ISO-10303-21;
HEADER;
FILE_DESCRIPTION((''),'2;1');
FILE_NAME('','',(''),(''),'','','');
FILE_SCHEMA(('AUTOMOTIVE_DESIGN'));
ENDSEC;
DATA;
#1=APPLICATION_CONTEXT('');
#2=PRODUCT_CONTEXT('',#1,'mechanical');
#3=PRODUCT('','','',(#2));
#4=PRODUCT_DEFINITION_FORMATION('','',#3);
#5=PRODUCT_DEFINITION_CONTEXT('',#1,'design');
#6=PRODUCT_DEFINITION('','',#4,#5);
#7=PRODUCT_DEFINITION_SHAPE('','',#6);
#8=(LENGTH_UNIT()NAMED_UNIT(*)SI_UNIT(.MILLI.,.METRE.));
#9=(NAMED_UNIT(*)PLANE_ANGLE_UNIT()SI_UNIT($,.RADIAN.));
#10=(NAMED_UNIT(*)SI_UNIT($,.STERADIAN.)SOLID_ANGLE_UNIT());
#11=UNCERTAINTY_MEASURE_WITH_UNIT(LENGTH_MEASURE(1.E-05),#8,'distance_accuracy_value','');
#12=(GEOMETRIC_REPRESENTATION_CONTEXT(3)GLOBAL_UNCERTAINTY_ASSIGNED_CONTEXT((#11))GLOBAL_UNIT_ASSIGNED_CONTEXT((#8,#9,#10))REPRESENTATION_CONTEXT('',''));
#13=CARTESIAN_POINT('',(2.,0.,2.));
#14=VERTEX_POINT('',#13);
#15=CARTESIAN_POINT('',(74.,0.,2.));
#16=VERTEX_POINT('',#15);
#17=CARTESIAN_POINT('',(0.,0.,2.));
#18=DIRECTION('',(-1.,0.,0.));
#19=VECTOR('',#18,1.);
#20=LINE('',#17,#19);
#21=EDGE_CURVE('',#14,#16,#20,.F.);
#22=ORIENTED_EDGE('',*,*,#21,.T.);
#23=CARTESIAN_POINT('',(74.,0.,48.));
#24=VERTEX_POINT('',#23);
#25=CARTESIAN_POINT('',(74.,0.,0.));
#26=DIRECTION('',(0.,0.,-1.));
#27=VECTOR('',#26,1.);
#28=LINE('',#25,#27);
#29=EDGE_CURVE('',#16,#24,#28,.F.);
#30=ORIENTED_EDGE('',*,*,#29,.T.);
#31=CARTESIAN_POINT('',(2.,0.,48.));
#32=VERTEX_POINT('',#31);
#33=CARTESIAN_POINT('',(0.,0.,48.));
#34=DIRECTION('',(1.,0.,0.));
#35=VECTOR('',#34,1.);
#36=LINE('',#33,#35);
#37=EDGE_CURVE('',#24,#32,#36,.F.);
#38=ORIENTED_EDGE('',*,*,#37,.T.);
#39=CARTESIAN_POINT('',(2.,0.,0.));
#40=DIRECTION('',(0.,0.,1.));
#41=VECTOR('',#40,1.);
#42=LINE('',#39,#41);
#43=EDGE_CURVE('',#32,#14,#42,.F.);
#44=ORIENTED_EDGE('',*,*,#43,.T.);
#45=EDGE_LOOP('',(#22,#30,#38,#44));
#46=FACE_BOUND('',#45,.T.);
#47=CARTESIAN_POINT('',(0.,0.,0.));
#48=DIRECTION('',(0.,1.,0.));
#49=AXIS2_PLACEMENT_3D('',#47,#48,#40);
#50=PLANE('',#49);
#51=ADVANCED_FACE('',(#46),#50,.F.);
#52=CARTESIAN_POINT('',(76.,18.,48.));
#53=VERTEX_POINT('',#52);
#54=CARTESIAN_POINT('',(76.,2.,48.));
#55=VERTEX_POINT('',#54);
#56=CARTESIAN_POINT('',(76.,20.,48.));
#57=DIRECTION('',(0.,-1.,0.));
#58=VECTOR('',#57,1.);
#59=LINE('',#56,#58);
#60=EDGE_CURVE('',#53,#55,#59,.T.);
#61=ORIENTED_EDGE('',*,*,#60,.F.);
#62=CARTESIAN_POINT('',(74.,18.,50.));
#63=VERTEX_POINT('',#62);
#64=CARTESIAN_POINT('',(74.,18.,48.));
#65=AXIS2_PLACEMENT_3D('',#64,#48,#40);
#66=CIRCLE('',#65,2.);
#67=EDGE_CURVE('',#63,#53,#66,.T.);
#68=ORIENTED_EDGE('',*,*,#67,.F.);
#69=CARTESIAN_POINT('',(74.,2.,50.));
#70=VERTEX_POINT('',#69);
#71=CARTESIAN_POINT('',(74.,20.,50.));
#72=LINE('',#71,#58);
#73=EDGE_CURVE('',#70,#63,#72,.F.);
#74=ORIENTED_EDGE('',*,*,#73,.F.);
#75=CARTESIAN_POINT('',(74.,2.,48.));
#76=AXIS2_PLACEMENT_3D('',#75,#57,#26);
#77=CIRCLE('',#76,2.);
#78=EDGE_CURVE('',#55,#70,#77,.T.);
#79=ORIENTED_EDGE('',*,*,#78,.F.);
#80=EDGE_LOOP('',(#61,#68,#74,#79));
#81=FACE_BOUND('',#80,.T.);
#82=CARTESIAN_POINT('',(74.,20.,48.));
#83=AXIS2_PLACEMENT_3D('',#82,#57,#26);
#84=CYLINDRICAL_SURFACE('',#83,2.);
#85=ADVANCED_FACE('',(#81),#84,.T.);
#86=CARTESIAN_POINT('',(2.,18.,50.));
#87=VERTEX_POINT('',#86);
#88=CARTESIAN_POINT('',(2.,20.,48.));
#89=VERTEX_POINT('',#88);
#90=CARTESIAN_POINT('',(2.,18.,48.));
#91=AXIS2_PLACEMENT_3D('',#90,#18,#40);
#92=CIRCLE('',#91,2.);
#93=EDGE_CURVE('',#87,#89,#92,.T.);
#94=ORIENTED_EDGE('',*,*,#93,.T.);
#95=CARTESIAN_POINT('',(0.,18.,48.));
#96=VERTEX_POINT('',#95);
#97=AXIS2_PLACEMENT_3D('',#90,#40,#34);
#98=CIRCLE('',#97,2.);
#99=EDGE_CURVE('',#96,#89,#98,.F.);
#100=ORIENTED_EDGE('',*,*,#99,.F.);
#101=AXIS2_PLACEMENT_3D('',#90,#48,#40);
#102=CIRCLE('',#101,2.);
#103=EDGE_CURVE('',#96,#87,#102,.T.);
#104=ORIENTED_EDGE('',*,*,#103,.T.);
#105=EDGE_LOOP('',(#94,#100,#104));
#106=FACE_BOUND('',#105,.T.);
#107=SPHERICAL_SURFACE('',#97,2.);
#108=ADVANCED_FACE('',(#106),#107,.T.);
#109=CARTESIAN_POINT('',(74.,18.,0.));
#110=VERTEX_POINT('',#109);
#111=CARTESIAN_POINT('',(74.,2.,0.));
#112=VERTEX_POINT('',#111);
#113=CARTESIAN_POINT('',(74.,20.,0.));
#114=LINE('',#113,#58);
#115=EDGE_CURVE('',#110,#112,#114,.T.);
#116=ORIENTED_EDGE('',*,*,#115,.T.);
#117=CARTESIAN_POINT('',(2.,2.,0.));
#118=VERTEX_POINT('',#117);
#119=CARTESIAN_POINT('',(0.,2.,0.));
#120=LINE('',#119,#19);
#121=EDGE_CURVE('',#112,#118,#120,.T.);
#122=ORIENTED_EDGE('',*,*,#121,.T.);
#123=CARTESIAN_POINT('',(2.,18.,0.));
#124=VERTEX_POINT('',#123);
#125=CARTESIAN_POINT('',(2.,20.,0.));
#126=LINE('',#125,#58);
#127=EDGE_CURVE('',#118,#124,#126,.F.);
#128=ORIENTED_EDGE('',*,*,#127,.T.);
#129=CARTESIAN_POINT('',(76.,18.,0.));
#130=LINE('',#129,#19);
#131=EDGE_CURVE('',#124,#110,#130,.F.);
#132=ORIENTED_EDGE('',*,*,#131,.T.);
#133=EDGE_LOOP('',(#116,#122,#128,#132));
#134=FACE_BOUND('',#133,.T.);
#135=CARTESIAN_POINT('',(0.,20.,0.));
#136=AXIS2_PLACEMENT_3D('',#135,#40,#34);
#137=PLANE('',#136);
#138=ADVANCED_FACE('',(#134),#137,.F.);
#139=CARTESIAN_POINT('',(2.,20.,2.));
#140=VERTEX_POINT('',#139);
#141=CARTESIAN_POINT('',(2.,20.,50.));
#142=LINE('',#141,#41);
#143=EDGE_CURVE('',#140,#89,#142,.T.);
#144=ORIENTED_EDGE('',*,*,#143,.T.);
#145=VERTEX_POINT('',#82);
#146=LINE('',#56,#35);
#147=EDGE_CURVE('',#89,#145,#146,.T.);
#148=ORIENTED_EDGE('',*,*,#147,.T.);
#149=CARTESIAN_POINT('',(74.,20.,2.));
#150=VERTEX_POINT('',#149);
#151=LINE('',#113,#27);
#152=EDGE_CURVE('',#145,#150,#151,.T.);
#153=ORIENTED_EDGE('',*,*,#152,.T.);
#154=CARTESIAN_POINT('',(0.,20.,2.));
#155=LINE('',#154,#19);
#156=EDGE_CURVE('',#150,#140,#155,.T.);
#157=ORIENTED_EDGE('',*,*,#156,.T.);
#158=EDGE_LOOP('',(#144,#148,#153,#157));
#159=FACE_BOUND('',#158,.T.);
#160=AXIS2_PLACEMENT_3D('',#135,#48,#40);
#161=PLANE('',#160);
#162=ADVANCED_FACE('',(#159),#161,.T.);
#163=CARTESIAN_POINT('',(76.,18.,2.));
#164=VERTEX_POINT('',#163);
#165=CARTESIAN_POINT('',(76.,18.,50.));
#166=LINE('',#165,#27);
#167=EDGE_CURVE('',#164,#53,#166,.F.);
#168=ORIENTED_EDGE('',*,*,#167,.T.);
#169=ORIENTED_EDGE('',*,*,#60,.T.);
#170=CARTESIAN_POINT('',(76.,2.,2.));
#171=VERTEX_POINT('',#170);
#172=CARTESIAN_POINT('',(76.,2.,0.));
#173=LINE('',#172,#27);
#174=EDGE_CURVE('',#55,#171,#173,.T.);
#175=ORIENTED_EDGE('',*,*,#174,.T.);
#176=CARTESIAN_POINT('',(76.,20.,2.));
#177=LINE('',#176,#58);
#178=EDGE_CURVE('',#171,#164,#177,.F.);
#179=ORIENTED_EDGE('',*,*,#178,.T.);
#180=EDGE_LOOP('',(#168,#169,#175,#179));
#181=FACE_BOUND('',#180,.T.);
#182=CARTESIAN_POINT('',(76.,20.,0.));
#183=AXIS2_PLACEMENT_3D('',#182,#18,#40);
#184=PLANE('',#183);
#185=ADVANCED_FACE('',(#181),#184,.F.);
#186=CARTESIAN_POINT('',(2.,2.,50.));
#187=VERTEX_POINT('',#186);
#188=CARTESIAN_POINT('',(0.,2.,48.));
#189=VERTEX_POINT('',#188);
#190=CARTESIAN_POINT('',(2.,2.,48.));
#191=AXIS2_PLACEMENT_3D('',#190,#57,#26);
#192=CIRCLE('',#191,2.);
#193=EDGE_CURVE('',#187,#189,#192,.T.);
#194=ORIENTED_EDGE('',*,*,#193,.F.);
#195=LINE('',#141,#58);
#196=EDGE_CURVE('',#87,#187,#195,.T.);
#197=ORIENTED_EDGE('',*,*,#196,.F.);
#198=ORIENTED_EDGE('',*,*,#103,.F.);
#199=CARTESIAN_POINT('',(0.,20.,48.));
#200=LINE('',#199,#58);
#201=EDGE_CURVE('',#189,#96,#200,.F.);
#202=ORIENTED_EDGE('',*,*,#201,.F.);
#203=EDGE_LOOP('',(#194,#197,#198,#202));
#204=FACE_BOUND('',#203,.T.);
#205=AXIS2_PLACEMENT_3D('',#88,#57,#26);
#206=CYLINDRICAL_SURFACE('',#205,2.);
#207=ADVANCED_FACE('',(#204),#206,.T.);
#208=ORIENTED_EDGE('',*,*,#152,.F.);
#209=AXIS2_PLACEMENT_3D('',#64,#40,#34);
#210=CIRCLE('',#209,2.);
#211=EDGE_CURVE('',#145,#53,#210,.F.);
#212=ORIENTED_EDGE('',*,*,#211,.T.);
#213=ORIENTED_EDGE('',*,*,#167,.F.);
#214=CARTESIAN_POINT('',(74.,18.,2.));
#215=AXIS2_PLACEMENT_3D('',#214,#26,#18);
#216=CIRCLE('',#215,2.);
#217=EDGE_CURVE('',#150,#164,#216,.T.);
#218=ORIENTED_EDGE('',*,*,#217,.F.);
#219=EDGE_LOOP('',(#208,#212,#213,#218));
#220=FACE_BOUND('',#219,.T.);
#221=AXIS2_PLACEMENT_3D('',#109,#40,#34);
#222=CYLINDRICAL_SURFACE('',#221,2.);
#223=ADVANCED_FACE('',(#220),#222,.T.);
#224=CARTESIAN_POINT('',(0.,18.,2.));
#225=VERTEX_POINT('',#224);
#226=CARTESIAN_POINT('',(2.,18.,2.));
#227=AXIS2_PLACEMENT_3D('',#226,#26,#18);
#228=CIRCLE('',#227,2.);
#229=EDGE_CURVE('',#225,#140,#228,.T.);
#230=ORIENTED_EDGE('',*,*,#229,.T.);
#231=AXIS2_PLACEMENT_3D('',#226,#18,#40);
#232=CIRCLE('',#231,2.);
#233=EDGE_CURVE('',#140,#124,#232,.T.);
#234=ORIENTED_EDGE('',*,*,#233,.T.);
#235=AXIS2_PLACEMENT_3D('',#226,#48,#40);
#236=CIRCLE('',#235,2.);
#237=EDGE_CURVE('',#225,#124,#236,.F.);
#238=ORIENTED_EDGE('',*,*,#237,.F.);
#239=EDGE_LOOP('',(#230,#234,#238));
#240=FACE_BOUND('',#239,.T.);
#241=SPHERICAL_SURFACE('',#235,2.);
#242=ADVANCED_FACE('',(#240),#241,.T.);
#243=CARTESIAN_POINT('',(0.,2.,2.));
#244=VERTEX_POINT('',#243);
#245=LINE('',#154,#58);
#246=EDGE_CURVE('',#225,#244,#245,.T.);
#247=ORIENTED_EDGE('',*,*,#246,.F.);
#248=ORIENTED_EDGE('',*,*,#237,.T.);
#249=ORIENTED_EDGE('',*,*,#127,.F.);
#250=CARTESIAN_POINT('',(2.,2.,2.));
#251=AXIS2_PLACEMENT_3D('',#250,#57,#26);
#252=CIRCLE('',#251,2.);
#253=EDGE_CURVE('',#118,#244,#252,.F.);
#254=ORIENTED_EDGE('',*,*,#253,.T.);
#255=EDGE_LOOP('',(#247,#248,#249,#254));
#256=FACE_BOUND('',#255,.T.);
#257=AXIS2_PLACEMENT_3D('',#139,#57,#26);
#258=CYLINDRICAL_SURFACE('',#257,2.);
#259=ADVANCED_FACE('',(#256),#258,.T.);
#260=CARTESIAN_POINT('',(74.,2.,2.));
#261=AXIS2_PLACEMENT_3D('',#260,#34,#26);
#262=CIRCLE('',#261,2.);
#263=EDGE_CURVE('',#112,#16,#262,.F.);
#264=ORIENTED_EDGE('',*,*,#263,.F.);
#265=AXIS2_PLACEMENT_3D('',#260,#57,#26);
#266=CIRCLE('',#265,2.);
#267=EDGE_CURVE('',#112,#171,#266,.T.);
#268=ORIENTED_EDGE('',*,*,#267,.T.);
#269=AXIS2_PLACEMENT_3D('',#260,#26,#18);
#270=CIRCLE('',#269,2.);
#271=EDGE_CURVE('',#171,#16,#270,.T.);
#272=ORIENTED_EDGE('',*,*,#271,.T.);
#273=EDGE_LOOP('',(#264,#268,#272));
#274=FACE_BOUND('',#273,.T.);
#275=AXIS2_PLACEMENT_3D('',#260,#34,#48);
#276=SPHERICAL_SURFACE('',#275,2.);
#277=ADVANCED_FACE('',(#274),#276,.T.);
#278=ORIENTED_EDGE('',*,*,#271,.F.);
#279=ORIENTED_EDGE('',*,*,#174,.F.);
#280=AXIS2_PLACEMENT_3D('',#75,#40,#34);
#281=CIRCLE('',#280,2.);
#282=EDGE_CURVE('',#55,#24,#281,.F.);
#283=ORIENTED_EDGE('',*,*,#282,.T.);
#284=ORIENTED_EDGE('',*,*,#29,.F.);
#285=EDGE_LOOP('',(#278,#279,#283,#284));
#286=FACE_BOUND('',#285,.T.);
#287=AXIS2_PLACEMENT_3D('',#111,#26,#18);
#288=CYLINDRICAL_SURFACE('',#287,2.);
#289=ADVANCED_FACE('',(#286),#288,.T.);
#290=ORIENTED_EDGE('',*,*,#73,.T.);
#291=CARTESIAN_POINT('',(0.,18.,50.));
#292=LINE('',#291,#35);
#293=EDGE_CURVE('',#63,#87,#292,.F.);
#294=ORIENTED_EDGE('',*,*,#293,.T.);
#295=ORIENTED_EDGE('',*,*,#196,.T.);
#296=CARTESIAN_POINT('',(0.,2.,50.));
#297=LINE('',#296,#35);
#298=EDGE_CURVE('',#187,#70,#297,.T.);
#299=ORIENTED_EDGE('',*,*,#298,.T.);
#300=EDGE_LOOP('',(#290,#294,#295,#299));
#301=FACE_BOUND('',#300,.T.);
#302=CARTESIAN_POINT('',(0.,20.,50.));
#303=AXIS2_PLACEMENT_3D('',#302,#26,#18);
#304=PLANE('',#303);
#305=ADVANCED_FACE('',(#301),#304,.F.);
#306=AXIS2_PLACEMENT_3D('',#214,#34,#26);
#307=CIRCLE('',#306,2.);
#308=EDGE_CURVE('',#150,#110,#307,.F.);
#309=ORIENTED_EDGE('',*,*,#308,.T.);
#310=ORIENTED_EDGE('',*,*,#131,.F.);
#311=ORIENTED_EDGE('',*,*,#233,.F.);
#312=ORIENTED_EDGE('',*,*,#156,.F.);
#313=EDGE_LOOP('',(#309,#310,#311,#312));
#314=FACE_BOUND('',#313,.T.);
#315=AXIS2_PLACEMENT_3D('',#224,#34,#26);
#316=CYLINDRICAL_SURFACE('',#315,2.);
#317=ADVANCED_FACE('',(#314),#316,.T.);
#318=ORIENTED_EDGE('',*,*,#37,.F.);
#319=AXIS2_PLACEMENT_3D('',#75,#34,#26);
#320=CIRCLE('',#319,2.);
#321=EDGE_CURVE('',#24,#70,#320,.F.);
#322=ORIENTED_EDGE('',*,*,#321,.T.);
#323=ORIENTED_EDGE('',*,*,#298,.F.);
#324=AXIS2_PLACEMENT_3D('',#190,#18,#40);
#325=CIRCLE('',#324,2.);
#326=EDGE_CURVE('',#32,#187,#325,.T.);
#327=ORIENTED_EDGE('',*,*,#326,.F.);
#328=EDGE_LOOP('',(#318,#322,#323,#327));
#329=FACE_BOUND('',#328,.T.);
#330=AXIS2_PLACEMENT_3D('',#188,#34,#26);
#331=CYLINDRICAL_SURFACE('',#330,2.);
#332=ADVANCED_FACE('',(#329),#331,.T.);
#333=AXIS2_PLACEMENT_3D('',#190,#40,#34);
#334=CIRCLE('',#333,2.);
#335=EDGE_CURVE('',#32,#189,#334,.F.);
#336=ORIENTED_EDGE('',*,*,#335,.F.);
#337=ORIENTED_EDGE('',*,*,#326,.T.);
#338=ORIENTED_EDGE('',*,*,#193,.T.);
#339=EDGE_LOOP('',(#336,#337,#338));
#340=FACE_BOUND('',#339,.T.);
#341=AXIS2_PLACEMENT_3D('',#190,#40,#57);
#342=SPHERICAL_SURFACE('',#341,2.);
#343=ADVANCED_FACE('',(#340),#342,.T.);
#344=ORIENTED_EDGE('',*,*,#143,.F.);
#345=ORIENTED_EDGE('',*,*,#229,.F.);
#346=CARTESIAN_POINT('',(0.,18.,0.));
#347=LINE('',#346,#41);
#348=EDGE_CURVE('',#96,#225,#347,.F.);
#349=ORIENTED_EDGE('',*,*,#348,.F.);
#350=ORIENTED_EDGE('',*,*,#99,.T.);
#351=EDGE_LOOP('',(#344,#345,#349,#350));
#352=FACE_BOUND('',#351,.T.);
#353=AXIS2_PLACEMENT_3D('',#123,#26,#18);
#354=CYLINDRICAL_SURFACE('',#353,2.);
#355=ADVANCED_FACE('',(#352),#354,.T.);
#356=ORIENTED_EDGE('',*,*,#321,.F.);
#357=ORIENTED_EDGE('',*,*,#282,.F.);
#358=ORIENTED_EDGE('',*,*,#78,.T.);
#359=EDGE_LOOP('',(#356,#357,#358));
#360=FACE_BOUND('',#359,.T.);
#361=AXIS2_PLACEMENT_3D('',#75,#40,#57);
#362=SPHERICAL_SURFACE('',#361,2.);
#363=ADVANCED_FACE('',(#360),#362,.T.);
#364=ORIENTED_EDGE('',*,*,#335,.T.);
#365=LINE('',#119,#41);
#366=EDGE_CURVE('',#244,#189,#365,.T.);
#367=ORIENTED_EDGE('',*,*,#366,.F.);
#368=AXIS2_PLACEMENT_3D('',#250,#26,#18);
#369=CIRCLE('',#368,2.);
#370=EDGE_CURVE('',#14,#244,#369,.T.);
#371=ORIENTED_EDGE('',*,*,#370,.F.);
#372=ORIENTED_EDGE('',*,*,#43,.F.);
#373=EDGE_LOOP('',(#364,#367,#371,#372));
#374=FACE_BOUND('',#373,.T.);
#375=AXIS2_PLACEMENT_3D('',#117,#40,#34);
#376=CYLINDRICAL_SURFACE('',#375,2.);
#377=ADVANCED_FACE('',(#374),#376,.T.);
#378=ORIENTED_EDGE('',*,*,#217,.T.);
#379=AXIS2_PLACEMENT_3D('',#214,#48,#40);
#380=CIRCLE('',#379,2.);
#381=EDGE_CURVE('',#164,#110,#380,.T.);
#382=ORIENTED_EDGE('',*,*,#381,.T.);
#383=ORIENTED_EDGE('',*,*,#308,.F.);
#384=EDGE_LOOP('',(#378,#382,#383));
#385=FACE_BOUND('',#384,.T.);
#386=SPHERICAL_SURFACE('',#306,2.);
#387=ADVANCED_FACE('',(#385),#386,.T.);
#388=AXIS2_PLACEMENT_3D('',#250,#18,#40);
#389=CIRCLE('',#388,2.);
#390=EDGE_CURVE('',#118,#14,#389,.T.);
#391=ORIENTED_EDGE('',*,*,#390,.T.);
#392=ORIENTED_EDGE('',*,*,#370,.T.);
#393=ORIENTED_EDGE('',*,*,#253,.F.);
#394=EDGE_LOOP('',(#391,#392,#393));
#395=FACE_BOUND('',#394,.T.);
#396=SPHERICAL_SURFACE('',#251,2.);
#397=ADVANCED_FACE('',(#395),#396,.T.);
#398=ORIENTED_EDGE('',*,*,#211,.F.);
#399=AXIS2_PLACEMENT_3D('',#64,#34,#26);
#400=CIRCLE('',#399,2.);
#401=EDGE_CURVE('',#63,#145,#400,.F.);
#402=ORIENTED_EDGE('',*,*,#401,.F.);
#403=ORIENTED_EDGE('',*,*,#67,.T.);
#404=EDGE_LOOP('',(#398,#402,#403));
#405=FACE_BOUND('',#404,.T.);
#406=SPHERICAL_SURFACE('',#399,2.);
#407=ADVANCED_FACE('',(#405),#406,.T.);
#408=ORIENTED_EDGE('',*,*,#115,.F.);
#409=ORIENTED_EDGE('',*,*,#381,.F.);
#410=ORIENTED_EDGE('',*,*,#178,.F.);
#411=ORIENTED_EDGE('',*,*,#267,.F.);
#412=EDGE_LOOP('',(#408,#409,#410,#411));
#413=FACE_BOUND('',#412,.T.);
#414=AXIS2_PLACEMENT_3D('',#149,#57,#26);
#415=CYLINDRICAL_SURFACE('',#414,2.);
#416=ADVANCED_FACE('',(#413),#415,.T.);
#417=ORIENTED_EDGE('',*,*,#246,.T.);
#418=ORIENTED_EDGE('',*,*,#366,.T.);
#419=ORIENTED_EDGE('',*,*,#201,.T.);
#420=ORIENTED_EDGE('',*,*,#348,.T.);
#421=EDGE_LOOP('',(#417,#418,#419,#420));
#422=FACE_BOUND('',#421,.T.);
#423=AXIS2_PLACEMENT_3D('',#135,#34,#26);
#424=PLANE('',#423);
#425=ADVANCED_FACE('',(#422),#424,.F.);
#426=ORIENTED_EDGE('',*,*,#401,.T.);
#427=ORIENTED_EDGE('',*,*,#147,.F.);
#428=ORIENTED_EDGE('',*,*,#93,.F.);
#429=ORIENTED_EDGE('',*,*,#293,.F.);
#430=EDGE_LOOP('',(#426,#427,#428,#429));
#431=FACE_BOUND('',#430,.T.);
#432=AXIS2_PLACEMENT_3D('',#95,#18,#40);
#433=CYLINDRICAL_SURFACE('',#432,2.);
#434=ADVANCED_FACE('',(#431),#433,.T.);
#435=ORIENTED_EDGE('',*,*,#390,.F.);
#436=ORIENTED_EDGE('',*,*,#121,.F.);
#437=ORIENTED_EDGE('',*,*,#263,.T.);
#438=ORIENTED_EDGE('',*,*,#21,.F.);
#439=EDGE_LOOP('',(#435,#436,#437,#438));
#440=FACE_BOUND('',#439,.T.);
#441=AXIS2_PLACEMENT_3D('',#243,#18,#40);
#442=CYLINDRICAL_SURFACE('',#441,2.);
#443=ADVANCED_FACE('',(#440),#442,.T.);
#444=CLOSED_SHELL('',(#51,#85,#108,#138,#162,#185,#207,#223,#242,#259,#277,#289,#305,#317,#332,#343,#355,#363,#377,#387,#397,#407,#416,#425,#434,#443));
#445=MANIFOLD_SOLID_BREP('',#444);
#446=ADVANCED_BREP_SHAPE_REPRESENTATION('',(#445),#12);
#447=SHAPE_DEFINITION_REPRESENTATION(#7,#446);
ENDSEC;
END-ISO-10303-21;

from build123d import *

# Parameters (mm, degrees)
SKETCH_1_W      = 76
SKETCH_1_H      = 50
EXTRUDE_1_DEPTH = 20
FILLET_1_R      = 2


with BuildPart() as part:
    # 草图1 → 凸台-拉伸1 (new body)
    with BuildSketch(Plane(origin=(0, 0, 0), x_dir=(1, 0, 0), z_dir=(0, 1, 0))):
        with Locations((38, -25)):
            Rectangle(SKETCH_1_W, SKETCH_1_H)
    extrude(amount=EXTRUDE_1_DEPTH)

    # 圆角1
    fillet_1_edges = [part.edges().sort_by_distance(p)[0] for p in [
        (76, 20, 25),
        (38, 20, 0),
        (0, 20, 25),
        (38, 0, 0),
        (76, 0, 25),
        (38, 0, 50),
        (0, 0, 25),
        (0, 10, 0),
        (76, 10, 0),
        (76, 10, 50),
        (0, 10, 50),
        (38, 20, 50),
    ]]
    fillet(fillet_1_edges, radius=FILLET_1_R)


solid = part.part
